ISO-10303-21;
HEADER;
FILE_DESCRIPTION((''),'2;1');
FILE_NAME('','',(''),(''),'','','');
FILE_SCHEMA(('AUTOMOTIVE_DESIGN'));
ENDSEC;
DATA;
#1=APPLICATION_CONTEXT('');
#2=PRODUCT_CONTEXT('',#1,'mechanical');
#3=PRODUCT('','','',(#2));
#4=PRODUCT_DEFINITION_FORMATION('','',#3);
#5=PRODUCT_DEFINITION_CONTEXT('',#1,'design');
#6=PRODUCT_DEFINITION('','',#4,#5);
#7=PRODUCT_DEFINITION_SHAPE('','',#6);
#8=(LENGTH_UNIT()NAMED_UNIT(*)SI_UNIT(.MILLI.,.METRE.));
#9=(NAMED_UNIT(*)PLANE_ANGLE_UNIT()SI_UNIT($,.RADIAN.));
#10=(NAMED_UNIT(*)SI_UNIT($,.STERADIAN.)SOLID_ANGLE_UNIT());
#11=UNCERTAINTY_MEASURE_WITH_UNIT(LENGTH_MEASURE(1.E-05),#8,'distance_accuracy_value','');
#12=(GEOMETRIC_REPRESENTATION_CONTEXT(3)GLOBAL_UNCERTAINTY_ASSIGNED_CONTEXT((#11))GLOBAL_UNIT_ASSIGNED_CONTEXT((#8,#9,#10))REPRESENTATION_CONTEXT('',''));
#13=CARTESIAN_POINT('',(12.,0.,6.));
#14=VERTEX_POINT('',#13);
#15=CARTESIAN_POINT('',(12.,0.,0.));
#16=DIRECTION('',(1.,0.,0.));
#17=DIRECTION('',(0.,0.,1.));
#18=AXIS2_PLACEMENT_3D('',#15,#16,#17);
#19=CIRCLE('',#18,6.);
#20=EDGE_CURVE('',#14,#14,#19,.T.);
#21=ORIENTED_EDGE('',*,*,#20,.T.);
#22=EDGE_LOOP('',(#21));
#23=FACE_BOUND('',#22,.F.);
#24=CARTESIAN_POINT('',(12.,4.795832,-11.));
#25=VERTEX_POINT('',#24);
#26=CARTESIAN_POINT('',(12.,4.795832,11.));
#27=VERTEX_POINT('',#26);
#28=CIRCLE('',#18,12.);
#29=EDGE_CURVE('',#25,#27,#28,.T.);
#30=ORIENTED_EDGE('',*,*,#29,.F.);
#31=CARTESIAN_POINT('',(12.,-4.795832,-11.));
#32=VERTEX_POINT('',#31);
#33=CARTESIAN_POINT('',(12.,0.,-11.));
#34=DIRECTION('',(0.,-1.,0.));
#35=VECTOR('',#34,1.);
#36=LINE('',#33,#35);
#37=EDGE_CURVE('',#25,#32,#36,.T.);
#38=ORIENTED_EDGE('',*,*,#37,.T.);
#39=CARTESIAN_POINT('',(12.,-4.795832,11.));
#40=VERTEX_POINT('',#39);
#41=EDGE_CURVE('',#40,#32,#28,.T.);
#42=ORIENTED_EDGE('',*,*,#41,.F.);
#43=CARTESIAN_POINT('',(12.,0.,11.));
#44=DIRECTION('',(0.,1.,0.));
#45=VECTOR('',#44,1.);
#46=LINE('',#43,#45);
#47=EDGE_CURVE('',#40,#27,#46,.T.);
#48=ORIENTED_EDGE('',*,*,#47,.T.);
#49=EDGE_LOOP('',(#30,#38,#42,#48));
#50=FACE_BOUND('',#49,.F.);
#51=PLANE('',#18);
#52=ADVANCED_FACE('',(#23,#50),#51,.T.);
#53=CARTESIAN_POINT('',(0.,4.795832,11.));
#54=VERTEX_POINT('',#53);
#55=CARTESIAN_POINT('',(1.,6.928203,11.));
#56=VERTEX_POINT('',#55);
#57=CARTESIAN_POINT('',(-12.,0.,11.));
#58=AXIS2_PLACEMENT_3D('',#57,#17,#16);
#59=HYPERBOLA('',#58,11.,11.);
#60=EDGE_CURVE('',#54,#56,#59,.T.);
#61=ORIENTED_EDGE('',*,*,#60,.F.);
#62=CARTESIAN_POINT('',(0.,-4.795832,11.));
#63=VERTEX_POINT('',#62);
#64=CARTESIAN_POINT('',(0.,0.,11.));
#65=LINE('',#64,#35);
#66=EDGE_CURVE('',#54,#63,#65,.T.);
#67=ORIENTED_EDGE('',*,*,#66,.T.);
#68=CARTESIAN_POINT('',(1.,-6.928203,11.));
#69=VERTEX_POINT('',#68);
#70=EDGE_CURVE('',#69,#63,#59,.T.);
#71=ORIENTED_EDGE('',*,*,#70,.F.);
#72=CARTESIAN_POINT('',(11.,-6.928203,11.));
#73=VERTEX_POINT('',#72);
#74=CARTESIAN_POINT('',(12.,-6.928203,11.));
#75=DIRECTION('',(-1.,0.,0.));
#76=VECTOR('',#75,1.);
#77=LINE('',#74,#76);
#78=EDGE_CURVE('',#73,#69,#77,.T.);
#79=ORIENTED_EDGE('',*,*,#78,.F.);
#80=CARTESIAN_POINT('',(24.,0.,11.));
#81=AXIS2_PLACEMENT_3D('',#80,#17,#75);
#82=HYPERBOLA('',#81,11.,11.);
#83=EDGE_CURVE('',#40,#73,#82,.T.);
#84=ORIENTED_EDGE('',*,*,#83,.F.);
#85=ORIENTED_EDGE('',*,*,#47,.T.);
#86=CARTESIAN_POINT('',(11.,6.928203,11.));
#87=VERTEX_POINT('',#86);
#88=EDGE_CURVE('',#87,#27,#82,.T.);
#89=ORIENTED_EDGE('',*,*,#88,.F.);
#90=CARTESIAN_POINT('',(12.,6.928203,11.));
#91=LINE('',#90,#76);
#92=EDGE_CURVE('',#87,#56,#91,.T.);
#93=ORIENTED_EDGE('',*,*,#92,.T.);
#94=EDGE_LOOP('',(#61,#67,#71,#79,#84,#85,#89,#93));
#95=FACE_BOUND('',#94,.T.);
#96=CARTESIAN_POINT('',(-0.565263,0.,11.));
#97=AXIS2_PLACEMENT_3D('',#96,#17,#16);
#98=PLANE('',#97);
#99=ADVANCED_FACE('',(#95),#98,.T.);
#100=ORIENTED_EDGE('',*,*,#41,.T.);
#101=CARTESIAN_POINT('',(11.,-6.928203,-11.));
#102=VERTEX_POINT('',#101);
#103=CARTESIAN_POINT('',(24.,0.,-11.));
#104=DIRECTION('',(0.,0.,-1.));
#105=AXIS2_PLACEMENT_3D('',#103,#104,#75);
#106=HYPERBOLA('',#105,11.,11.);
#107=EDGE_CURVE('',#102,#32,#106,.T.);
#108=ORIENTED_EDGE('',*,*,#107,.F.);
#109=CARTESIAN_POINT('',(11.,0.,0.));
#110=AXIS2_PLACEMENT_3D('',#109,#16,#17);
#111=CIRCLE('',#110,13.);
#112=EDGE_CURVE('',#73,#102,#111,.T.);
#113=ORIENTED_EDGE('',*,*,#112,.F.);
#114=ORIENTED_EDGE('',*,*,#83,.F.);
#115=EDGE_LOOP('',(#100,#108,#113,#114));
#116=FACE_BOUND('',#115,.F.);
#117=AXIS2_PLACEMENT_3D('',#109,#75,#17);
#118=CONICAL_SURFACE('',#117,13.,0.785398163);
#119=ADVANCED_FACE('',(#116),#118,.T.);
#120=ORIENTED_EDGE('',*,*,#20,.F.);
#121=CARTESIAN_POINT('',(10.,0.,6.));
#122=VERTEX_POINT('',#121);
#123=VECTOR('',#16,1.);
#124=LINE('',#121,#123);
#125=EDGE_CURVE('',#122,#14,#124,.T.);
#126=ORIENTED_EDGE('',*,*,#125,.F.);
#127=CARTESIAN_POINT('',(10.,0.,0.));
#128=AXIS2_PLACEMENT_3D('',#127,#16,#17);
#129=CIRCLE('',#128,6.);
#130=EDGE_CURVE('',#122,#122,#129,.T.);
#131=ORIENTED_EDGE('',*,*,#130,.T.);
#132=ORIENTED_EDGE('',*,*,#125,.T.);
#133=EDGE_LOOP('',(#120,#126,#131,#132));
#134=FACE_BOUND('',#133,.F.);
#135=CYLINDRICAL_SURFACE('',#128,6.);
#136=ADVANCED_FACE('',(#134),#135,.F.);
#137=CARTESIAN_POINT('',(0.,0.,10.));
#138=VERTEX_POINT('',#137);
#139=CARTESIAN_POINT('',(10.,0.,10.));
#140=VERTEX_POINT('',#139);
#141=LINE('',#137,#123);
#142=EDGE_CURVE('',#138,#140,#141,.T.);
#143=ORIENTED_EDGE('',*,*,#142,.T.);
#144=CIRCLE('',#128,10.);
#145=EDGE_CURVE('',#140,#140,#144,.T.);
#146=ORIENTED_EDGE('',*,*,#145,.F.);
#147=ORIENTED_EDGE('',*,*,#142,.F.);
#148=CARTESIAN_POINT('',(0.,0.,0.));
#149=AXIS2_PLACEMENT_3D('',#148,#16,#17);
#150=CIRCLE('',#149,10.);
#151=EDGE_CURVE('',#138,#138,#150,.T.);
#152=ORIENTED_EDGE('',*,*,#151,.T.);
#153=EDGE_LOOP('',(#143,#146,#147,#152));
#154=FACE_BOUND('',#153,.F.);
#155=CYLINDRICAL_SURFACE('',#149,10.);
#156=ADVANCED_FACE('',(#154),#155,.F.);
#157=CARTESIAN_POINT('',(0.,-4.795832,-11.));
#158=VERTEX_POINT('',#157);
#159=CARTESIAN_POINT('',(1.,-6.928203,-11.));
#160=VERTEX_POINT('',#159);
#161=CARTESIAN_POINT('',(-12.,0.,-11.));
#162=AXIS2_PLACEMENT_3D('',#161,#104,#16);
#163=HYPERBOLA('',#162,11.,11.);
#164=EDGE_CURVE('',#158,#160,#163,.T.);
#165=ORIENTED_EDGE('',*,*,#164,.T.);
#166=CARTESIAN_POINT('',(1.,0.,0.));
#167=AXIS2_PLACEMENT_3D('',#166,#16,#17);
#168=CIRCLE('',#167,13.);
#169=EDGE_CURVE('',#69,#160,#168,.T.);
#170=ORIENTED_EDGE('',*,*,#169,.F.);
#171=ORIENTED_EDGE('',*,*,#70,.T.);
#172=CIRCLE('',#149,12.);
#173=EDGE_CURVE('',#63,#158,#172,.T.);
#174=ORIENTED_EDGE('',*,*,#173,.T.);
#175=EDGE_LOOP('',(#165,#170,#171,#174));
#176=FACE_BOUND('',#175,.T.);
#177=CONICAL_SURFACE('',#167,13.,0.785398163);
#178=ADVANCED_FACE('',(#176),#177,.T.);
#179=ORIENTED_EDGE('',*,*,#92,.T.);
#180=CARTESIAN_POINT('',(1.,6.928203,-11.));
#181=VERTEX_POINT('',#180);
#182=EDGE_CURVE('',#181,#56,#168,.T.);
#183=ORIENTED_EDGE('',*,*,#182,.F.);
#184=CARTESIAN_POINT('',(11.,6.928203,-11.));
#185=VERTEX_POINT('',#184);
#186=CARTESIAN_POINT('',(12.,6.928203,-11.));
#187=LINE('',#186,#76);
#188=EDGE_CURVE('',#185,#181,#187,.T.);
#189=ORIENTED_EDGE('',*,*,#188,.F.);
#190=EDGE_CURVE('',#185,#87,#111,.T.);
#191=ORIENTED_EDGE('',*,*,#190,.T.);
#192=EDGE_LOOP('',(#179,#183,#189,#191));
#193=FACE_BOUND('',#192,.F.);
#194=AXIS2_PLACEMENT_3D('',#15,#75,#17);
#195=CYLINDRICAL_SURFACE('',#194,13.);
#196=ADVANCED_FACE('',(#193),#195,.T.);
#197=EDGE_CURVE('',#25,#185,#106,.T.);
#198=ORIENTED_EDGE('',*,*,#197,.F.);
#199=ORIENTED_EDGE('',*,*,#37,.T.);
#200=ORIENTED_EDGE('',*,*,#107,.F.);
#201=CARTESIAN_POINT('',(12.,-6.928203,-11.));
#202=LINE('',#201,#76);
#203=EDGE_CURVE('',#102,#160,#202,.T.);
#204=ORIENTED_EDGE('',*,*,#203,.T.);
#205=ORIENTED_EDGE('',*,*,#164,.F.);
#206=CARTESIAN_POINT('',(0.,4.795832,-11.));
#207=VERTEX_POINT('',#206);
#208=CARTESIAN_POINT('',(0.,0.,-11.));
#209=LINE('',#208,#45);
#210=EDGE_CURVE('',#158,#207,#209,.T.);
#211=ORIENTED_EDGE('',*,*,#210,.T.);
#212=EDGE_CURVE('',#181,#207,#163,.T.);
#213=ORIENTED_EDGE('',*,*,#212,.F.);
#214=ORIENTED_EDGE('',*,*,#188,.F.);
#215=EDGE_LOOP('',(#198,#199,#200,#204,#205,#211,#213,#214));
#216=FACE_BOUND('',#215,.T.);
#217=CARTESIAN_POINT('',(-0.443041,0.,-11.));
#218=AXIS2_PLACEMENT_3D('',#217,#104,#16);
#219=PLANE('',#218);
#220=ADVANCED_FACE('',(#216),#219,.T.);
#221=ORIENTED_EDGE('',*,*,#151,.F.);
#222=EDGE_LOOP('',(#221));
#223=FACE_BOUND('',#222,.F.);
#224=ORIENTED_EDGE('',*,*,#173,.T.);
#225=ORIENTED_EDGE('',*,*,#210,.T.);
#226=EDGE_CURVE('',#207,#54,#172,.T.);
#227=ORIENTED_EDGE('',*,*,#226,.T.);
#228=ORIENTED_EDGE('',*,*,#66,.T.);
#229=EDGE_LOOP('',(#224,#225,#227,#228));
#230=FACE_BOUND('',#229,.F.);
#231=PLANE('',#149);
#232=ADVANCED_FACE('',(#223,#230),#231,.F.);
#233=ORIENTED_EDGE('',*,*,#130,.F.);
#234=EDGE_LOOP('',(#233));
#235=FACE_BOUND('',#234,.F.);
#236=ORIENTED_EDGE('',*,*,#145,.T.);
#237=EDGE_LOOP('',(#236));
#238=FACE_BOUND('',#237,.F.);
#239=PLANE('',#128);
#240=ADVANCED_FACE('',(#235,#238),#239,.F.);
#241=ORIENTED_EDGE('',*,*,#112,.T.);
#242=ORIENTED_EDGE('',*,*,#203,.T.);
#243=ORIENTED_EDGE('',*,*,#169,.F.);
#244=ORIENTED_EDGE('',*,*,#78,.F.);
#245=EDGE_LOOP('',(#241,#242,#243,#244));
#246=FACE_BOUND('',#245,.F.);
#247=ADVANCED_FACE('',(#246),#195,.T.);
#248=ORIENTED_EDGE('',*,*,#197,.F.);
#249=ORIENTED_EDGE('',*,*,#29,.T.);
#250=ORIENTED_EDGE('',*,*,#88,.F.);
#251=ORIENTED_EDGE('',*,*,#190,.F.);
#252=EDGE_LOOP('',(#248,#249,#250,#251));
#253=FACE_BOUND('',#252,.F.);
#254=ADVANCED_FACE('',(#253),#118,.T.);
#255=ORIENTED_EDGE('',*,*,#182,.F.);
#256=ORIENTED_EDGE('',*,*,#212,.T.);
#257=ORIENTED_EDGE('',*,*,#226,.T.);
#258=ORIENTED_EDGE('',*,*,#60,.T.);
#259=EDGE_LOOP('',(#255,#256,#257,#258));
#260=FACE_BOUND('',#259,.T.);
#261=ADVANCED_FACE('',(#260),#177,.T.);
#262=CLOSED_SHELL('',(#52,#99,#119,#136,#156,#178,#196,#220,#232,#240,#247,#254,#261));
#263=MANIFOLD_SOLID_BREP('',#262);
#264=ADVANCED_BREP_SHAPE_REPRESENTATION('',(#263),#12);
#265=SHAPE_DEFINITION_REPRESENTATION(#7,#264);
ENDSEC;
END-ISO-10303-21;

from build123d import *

# Parameters (mm, degrees)
F2_SIZE  = 1
F3_W     = 15.3355175093
F3_H     = 4.7520212233
F3_W_2   = 15.3147058821
F3_H_2   = 7.7273081392
F4_DEPTH = 12.5


with BuildPart() as f1:
    # F0 (on Front) → F1 (revolve)
    with BuildSketch(Plane.XZ):
        Polygon((0, 13), (0, 10), (10, 10), (10, 6), (12, 6), (12, 13), align=None)
    revolve(axis=Axis((0.2130177937, 0, 0), (1, 0, 0)))

    # F2
    f2_edges = [f1.edges().sort_by_distance(p)[0] for p in [
        (12, 0, -13),
        (0, 0, -13),
    ]]
    chamfer(f2_edges, length=F2_SIZE)

    # F3 (on Front) → F4 (cut, symmetric)
    with BuildSketch(Plane.XZ):
        with Locations((7.1024957381, 13.3760106117)):
            Rectangle(F3_W, F3_H)
        with Locations((7.2143123355, -14.8636540696)):
            Rectangle(F3_W_2, F3_H_2)
    extrude(amount=F4_DEPTH, both=True, mode=Mode.SUBTRACT)


solid = f1.part
